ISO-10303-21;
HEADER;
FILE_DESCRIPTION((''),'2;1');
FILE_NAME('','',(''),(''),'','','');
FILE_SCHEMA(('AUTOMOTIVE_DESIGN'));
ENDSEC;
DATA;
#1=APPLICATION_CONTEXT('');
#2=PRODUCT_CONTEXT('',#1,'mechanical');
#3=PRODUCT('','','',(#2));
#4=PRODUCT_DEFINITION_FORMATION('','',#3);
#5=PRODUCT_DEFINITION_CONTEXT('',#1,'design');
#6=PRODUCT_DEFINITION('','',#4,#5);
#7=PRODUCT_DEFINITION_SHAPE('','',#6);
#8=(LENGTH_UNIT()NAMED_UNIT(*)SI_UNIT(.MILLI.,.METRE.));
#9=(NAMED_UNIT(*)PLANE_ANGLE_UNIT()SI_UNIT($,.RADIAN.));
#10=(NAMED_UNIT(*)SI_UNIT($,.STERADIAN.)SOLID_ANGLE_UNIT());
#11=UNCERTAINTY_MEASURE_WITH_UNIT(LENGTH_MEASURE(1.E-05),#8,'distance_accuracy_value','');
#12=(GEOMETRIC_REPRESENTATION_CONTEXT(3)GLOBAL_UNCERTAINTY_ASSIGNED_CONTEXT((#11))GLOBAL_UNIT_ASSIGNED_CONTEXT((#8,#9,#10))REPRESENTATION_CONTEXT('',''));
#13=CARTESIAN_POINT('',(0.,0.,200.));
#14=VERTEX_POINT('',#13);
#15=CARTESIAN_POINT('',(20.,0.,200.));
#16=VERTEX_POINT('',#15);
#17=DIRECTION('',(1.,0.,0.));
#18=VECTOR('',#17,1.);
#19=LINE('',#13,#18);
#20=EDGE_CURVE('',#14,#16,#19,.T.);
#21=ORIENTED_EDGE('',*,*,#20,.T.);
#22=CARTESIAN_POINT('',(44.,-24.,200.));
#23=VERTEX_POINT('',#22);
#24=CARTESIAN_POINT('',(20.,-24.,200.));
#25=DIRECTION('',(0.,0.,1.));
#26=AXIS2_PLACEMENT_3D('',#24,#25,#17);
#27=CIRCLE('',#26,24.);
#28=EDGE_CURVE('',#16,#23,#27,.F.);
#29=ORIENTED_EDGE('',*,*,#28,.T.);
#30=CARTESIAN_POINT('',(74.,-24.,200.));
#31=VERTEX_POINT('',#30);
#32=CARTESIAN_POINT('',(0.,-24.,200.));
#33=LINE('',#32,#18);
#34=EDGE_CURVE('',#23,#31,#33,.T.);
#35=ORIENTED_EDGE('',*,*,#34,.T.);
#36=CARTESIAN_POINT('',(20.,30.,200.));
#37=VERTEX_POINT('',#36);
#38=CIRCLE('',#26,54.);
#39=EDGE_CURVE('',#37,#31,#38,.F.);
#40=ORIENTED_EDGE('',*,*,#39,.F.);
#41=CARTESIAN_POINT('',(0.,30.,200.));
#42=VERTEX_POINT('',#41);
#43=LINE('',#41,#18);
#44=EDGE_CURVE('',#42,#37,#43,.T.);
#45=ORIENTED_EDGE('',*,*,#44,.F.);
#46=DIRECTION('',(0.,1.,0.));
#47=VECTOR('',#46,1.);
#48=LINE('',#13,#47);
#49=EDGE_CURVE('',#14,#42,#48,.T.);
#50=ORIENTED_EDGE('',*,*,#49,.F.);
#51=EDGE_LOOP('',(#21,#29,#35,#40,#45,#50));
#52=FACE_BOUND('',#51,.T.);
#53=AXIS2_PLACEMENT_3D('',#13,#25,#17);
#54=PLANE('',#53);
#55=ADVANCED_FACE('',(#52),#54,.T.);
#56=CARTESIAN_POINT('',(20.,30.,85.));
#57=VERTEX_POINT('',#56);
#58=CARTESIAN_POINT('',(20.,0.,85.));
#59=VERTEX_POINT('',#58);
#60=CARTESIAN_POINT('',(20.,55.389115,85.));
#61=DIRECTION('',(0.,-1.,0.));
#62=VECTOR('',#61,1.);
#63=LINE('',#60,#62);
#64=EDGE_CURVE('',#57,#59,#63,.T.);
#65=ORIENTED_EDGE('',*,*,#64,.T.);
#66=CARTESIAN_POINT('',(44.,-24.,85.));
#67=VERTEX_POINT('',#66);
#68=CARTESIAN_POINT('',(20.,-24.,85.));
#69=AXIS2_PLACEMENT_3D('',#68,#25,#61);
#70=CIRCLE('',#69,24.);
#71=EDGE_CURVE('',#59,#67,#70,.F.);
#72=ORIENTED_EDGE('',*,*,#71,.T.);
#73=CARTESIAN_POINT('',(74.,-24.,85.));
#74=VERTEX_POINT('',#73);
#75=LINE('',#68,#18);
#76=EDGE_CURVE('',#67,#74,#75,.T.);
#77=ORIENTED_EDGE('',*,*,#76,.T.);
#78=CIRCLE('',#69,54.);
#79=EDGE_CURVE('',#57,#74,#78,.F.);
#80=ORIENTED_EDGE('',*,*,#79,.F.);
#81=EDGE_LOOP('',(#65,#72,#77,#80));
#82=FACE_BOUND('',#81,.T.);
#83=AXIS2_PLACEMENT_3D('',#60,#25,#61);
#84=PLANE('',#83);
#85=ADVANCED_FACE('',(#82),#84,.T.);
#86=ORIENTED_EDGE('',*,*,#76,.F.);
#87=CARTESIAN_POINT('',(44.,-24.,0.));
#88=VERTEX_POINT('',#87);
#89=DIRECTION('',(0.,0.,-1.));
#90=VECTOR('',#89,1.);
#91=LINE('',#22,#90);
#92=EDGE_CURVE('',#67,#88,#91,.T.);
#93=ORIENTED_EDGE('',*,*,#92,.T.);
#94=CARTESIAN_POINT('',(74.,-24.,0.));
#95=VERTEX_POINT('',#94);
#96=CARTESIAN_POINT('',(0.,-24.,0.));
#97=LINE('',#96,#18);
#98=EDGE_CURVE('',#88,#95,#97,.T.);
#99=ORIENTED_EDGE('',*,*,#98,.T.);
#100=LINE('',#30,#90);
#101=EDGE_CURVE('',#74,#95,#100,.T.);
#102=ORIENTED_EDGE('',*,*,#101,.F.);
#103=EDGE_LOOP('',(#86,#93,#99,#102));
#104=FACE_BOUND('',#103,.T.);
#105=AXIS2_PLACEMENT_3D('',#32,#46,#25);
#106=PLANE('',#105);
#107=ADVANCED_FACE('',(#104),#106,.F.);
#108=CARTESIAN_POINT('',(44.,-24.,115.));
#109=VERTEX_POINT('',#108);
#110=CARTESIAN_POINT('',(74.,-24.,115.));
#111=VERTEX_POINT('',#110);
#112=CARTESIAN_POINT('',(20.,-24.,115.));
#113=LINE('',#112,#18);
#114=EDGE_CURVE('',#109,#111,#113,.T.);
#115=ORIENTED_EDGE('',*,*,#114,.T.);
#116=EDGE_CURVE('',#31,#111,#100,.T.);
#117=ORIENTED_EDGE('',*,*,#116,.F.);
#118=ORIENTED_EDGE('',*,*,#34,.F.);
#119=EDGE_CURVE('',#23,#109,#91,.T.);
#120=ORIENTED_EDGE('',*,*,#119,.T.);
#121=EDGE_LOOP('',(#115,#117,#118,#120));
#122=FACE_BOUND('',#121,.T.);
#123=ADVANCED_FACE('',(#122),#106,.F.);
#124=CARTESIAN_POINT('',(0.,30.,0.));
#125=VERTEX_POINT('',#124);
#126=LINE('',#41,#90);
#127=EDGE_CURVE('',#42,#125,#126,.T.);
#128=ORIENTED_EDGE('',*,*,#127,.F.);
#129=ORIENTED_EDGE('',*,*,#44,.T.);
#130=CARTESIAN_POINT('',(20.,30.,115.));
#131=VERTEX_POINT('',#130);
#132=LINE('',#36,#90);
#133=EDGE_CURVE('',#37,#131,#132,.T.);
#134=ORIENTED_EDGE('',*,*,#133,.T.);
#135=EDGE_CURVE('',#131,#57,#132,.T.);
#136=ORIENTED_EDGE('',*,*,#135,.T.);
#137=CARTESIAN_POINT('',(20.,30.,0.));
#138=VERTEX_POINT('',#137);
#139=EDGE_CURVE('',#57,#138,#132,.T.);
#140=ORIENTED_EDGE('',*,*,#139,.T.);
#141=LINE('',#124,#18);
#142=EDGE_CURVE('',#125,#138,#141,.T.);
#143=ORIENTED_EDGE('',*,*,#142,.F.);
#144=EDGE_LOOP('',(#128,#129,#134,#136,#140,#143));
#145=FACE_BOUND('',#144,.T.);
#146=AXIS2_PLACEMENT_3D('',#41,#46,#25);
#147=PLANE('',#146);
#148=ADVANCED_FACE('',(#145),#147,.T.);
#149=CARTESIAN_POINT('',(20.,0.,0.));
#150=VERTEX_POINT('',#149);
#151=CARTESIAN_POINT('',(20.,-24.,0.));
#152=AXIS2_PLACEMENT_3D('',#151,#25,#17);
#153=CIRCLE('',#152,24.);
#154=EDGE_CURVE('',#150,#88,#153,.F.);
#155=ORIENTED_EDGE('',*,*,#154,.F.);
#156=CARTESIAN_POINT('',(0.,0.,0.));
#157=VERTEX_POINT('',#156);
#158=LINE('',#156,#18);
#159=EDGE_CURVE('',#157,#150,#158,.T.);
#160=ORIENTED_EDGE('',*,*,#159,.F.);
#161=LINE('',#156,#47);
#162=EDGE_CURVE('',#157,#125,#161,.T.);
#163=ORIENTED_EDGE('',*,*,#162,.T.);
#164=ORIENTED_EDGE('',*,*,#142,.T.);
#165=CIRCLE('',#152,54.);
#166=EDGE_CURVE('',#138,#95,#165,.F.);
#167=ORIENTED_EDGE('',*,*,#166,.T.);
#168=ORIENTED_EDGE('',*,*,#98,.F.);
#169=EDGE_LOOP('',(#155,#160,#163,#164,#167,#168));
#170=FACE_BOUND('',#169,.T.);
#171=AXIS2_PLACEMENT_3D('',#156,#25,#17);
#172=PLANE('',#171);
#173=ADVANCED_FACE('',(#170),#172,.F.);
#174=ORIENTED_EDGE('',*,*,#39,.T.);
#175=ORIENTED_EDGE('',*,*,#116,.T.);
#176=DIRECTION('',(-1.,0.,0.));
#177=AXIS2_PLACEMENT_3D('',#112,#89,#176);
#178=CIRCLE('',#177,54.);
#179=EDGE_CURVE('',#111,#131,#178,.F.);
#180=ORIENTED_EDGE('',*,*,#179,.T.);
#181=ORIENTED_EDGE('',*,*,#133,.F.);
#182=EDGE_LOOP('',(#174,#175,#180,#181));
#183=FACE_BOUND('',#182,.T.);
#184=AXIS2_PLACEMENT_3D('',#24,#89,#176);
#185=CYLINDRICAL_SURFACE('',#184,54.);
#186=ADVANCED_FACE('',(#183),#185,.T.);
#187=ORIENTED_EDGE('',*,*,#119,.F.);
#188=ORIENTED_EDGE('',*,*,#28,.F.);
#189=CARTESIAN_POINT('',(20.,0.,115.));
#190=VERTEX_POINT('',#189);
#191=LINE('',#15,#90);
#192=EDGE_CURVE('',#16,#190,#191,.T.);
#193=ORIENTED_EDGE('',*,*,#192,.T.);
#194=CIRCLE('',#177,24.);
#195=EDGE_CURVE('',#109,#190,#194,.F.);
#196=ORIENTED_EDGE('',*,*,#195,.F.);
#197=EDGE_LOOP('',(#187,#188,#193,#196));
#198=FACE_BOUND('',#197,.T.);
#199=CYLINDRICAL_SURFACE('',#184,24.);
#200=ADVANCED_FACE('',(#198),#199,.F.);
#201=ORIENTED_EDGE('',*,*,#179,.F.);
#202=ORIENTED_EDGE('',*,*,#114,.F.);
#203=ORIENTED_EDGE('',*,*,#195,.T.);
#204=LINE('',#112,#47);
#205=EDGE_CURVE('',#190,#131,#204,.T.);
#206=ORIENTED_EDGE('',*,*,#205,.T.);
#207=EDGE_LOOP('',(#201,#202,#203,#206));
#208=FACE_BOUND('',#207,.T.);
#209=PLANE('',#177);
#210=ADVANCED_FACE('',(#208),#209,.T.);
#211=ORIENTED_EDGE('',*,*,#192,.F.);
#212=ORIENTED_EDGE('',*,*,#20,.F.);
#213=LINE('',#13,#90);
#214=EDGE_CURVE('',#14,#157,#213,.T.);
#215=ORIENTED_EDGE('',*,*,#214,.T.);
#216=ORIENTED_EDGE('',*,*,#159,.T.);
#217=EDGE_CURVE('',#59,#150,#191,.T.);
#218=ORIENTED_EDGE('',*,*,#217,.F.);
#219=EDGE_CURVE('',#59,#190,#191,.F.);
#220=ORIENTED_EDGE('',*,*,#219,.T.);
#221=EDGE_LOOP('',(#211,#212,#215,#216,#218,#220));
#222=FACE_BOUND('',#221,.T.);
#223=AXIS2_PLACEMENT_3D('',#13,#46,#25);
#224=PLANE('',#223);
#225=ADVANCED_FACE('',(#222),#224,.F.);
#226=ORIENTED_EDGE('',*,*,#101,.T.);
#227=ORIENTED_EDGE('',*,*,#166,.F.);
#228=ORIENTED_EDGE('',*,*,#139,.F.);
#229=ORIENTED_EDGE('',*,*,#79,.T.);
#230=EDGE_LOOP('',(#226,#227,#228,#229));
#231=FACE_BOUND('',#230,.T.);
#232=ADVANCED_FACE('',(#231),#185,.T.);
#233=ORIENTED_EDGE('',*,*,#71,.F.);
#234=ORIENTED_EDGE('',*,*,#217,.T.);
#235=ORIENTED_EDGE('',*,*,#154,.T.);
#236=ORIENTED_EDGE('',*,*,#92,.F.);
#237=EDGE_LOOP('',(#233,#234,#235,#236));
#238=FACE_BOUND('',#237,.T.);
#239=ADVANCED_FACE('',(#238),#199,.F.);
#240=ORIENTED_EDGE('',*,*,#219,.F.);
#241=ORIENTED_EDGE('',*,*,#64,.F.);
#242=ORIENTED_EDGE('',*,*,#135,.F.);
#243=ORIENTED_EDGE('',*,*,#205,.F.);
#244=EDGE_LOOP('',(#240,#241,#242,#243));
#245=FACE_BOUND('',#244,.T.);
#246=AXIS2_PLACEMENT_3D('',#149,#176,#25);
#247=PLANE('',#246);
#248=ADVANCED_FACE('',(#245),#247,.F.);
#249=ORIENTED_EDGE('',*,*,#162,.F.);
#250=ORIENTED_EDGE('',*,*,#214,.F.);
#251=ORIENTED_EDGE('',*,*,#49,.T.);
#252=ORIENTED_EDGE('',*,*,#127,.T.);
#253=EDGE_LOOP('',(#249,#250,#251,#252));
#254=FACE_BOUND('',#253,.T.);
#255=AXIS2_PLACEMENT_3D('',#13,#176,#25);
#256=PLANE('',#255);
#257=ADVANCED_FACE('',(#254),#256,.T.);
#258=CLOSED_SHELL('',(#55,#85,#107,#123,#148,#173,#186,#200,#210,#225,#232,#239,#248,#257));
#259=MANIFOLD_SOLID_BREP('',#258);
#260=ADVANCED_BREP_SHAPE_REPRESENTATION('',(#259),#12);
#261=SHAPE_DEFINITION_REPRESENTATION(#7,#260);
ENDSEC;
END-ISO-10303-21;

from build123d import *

# Parameters (mm, degrees)
SKETCH_1_W          = 20
SKETCH_1_H          = 30
EXTRUDE_1_DEPTH     = 200
EXTRUDE_2_DEPTH     = 200
SKETCH_2_W          = 30
SKETCH_2_H          = 79.389115132
CUT_EXTRUDE_1_DEPTH = 54


with BuildPart() as part:
    # 草图1 → 凸台-拉伸1 (new body)
    with BuildSketch(Plane.XY):
        with Locations((10, 15)):
            Rectangle(SKETCH_1_W, SKETCH_1_H)
    extrude(amount=EXTRUDE_1_DEPTH)

    # 草图1<3> → 凸台-拉伸2 (add)
    with BuildSketch(Plane.XY):
        with BuildLine():
            ThreePointArc((20, 0), (36.970562748, -7.029437252), (44, -24))
            Line((44, -24), (74, -24))
            ThreePointArc((74, -24), (58.183766184, 14.183766184), (20, 30))
            Line((20, 30), (20, 0))
        make_face()
    extrude(amount=EXTRUDE_2_DEPTH)

    # 草图2 → 切除-拉伸1 (cut)
    with BuildSketch(Plane(origin=(74, 0, 0), x_dir=(0, 0, -1), z_dir=(1, 0, 0))):
        with Locations((-100, 15.694557566)):
            Rectangle(SKETCH_2_W, SKETCH_2_H)
    extrude(amount=-CUT_EXTRUDE_1_DEPTH, mode=Mode.SUBTRACT)


solid = part.part
